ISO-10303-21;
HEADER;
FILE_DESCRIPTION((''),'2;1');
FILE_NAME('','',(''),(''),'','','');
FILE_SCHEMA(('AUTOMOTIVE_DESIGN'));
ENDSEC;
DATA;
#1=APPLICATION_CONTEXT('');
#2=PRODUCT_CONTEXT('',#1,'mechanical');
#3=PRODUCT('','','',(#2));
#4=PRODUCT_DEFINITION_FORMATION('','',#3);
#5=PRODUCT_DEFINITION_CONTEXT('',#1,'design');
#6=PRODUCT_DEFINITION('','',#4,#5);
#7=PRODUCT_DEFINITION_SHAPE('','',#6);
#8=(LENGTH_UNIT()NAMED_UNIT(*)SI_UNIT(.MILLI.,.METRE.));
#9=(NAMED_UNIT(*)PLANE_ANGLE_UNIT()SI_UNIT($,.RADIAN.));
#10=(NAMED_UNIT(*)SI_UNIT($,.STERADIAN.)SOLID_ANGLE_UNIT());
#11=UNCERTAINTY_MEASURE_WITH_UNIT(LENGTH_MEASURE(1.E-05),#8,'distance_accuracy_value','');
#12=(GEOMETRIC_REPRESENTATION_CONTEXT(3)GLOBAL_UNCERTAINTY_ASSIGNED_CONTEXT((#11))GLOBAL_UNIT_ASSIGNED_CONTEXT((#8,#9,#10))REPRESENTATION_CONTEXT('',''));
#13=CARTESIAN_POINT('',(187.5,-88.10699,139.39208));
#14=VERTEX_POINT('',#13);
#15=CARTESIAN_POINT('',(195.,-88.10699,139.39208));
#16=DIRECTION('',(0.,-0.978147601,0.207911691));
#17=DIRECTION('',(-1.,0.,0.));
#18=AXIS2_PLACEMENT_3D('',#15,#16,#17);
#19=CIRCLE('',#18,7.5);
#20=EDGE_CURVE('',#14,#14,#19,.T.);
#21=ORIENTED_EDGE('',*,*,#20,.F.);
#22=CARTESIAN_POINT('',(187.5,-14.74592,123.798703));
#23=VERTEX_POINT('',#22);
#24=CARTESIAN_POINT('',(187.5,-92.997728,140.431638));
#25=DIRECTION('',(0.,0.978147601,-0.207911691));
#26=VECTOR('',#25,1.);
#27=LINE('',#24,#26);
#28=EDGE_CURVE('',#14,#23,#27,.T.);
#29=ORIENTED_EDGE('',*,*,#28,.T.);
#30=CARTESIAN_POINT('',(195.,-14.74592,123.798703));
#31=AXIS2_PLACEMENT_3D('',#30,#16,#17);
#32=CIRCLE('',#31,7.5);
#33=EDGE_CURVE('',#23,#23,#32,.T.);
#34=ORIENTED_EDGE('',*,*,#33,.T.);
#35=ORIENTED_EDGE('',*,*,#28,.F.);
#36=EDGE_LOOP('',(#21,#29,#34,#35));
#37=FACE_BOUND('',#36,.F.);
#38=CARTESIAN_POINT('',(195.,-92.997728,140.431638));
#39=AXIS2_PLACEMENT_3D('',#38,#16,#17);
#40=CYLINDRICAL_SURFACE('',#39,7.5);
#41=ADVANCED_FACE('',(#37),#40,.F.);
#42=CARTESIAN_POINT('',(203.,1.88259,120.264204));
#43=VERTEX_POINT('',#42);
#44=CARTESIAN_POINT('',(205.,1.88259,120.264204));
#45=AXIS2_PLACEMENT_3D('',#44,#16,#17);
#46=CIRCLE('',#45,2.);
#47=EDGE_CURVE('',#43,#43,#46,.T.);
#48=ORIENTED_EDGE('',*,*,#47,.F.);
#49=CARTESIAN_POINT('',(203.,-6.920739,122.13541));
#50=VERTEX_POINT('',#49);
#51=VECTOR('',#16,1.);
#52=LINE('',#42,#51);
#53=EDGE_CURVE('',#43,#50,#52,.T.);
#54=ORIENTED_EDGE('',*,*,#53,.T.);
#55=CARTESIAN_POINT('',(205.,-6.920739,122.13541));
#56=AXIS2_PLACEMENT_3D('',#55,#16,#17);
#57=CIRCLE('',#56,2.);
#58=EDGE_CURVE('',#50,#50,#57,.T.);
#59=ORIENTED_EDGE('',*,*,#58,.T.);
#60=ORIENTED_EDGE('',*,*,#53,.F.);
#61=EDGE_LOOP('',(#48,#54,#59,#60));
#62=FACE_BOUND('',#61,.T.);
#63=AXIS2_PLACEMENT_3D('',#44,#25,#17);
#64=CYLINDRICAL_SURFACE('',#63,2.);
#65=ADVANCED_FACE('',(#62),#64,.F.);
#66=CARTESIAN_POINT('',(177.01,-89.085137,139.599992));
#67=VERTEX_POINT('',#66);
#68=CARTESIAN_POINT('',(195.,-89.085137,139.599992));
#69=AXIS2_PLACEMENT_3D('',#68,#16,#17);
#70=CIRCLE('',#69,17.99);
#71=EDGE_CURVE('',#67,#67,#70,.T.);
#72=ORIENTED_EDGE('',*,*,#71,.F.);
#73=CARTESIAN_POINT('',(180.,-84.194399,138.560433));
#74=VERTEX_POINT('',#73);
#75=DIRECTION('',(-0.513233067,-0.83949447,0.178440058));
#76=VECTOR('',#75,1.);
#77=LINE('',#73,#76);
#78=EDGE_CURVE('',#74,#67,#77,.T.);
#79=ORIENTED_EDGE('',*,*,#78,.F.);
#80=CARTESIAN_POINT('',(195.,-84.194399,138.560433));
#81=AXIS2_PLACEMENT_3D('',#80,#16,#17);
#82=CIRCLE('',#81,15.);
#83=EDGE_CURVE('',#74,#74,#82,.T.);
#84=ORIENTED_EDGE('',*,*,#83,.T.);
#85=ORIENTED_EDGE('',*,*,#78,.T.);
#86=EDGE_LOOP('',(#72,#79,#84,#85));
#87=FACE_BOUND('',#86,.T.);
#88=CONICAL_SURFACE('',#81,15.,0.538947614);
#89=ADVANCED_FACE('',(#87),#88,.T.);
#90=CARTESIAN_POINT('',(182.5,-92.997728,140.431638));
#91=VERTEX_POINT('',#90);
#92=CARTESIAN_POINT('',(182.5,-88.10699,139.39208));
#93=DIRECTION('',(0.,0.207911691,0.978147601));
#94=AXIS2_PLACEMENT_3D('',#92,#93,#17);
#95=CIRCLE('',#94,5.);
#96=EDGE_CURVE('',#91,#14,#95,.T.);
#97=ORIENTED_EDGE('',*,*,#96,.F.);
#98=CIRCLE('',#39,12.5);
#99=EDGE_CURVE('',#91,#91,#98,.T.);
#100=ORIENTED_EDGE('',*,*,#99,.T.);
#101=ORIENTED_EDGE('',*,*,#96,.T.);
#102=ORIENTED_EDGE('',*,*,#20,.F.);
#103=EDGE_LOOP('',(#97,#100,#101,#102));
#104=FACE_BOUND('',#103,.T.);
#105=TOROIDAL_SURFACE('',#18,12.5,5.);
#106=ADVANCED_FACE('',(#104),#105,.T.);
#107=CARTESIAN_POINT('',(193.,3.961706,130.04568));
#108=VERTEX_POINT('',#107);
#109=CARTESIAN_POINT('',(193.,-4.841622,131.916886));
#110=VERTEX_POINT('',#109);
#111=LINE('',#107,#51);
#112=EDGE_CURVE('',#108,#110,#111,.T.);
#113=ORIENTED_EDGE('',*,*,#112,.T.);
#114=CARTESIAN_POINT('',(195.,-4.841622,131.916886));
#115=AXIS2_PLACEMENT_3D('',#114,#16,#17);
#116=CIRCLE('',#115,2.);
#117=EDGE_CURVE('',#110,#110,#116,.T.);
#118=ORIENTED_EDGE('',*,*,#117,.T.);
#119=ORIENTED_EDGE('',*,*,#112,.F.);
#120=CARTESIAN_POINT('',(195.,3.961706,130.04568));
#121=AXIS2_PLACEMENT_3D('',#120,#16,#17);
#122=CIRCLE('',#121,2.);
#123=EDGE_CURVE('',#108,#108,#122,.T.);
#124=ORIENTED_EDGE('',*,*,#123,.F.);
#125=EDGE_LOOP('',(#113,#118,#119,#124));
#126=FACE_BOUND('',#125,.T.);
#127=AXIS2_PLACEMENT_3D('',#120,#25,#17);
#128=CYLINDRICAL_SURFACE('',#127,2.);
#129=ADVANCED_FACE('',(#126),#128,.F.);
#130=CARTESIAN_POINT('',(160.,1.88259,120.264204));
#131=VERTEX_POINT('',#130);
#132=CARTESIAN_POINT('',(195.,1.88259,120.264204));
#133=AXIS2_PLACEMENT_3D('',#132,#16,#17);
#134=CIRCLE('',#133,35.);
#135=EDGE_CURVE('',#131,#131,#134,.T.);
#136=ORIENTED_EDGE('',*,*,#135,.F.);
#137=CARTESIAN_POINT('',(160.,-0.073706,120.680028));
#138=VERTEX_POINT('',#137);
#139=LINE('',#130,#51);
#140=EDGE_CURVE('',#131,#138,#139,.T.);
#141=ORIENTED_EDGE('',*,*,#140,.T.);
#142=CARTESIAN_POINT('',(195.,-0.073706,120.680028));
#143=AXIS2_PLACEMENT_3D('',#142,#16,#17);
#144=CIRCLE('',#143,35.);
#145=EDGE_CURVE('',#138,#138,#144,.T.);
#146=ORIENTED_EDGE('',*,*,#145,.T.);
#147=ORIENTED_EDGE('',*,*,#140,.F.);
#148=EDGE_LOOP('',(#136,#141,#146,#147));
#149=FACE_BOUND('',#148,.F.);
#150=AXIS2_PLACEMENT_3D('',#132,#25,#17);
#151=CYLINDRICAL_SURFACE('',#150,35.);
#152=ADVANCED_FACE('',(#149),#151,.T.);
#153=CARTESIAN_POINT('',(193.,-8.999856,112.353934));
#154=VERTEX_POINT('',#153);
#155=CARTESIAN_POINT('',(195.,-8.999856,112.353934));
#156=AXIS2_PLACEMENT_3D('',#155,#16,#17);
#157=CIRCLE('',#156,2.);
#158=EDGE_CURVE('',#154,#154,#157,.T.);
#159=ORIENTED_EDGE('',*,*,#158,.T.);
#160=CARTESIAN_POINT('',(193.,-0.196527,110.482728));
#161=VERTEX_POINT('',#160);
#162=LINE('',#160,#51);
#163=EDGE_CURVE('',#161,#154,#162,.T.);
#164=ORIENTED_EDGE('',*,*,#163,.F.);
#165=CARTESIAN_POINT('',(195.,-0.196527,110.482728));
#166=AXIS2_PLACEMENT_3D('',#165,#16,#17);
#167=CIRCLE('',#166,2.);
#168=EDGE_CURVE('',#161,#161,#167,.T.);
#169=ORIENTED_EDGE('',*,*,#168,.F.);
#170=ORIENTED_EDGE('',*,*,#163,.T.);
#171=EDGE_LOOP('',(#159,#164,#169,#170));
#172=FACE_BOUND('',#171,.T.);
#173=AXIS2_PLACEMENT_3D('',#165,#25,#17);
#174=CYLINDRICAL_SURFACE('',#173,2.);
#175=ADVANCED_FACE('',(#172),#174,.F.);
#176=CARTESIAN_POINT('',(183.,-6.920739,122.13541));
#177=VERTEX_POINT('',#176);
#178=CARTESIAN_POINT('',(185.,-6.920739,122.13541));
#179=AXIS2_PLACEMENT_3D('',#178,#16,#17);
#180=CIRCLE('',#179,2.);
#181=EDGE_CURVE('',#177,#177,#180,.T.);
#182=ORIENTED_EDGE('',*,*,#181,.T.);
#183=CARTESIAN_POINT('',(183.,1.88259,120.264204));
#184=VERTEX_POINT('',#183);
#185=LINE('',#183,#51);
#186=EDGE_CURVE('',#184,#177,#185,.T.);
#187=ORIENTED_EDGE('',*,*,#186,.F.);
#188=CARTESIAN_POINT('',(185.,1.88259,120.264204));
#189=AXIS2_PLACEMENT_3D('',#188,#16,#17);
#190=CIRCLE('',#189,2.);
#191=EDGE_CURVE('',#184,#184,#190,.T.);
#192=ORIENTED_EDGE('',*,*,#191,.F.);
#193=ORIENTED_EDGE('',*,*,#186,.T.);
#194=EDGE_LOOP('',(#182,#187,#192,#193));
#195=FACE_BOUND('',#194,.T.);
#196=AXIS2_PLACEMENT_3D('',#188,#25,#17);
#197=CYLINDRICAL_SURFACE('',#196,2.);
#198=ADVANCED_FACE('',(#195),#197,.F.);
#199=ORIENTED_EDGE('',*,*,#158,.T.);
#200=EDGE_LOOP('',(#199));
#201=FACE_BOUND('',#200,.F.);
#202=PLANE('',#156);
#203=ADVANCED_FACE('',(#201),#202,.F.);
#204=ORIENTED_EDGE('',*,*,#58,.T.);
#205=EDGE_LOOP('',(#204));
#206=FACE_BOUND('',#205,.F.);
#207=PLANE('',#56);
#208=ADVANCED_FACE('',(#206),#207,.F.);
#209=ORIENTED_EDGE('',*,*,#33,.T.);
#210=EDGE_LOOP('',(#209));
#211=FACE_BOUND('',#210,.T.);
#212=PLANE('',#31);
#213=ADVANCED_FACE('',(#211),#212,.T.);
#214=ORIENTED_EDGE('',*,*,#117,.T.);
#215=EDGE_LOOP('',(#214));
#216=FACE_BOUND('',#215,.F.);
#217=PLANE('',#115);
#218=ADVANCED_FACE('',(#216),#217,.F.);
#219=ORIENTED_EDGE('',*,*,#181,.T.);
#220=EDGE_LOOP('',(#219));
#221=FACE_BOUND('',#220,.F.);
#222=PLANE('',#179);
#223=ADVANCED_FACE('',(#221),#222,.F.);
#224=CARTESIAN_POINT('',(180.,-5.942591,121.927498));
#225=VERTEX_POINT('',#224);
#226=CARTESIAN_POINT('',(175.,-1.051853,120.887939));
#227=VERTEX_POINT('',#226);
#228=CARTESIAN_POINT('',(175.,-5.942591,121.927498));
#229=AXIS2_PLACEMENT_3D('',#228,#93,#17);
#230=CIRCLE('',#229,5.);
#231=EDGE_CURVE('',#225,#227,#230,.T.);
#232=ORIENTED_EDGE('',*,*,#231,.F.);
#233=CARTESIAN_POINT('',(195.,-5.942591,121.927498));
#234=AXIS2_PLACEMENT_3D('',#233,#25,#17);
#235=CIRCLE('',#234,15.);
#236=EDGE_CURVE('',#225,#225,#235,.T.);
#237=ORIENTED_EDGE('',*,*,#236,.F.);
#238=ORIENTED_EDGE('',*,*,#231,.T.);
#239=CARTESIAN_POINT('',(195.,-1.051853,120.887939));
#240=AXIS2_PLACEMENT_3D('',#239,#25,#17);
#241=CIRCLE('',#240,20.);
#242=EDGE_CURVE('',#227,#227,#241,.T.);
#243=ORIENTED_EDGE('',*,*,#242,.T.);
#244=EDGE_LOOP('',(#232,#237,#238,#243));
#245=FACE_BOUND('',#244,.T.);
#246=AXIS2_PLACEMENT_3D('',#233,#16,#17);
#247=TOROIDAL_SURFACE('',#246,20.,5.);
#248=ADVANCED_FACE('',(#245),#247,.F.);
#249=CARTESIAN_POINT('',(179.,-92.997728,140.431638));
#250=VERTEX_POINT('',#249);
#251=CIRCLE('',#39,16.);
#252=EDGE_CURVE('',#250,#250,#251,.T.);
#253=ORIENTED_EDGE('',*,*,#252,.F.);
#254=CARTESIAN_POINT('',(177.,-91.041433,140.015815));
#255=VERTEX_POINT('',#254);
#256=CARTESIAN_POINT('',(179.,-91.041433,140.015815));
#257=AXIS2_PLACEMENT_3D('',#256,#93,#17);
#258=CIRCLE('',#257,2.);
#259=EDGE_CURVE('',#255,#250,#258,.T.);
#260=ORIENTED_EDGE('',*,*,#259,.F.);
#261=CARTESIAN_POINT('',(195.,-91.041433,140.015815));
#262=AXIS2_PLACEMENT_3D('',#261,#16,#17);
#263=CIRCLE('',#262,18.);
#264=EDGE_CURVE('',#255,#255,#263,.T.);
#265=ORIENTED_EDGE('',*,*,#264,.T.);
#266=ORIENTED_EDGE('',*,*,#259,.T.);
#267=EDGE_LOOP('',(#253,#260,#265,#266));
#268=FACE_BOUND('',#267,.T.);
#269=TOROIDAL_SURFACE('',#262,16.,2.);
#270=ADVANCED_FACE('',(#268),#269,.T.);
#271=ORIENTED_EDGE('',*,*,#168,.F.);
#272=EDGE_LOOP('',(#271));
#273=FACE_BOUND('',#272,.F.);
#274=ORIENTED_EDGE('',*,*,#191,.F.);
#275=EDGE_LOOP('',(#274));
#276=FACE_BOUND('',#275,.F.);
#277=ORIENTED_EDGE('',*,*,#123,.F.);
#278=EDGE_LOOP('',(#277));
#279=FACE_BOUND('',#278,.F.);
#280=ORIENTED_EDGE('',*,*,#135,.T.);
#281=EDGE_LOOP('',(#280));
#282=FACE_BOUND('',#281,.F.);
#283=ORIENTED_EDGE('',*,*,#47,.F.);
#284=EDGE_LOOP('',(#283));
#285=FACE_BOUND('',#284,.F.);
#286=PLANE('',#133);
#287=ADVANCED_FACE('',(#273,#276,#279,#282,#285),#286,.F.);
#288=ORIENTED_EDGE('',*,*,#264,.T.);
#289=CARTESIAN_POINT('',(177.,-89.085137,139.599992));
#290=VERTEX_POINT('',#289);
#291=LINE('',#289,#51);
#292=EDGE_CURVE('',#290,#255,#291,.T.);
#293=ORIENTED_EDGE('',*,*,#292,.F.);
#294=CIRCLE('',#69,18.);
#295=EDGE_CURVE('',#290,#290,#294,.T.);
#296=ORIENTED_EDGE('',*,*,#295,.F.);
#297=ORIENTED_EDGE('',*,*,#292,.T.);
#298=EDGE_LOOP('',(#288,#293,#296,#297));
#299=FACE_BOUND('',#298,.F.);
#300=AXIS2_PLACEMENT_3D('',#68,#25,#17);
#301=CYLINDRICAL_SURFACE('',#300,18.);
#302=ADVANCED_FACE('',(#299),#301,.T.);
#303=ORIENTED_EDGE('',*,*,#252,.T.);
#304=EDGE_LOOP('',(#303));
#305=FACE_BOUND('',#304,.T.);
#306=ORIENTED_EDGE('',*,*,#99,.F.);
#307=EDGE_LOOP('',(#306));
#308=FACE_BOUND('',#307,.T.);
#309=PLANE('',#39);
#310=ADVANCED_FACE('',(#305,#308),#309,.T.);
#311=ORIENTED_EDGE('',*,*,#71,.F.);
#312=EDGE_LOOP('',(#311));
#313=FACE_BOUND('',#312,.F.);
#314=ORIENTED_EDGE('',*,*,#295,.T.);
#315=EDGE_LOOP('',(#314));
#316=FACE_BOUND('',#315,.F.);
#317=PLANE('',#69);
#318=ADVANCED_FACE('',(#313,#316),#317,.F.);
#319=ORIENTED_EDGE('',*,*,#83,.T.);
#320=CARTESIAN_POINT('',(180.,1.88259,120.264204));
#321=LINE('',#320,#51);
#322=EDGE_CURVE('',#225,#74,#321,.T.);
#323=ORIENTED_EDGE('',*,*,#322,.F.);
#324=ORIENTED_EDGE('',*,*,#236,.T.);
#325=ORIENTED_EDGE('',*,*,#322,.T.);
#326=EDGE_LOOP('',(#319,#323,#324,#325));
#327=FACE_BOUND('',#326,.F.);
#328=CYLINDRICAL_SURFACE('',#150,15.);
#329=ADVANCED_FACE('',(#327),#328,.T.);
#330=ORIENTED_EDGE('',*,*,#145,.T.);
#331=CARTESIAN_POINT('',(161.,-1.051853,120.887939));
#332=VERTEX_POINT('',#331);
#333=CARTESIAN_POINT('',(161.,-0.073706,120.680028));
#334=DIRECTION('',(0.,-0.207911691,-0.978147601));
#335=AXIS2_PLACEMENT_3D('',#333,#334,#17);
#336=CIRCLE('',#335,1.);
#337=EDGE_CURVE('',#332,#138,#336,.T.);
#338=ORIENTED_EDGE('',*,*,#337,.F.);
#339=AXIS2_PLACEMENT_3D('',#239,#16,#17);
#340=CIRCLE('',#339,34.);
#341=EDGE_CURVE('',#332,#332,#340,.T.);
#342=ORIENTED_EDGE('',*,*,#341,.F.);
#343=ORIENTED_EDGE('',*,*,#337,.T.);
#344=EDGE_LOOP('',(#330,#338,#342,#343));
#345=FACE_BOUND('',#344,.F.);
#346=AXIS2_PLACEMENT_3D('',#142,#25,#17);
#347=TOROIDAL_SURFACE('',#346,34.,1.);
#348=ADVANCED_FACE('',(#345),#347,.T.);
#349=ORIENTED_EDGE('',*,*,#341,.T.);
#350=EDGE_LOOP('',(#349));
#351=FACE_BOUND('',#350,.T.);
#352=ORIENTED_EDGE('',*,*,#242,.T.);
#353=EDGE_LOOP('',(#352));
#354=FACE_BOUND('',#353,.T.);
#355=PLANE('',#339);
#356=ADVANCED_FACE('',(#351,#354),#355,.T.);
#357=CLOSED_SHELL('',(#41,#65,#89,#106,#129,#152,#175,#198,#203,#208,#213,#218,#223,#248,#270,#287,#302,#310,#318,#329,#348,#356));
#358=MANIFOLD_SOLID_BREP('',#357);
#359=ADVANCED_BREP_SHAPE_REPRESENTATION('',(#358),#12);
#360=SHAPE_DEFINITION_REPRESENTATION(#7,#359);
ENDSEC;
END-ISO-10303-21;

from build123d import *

# Parameters (mm, degrees)
SKETCH029_R      = 35
PAD012_DEPTH     = 3
SKETCH030_R      = 15
PAD013_DEPTH     = 93
SKETCH031_R      = 18
PAD014_DEPTH     = 4
SKETCH032_R      = 7.5
POCKET010_DEPTH  = 80
SKETCH033_R      = 2
POCKET011_DEPTH  = 9
FILLET013_R      = 5
FILLET014_R      = 1
CHAMFER004_SIZE2 = 2.99
CHAMFER004_SIZE  = 5
FILLET015_R      = 2


with BuildPart() as part:
    # Sketch029 (on DatumPlane) → Pad012 (new body)
    with BuildSketch(Plane(origin=(0, 5.625, 137.8708612235), x_dir=(-1, 0, 0), z_dir=(0, -0.9781476007, 0.2079116908))):
        with Locations((-195, 18)):
            Circle(SKETCH029_R)
    extrude(amount=PAD012_DEPTH)

    # Sketch030 (on DatumPlane) → Pad013 (join)
    with BuildSketch(Plane(origin=(0, 5.625, 137.8708612235), x_dir=(-1, 0, 0), z_dir=(0, -0.9781476007, 0.2079116908))):
        with Locations((-195, 18)):
            Circle(SKETCH030_R)
    extrude(amount=PAD013_DEPTH)

    # Sketch031 (on Face6 of Pad013) → Pad014 (join)
    with BuildSketch(Plane(origin=(0, -85.3427268682, 157.2066484695), x_dir=(-1, 0, 0), z_dir=(0, -0.9781476007, 0.2079116908))):
        with Locations((-195, 18)):
            Circle(SKETCH031_R)
    extrude(amount=PAD014_DEPTH)

    # Sketch032 (on Face3 of Pad014) → Pocket010 (cut)
    with BuildSketch(Plane(origin=(0, -89.2553172712, 158.0382952328), x_dir=(-1, 0, 0), z_dir=(0, -0.9781476007, 0.2079116908))):
        with Locations((-195, 18)):
            Circle(SKETCH032_R)
    extrude(amount=-POCKET010_DEPTH, mode=Mode.SUBTRACT)

    # Sketch033 (on ReferenceDatumPlane) → Pocket011 (cut)
    with BuildSketch(Plane(origin=(0, 5.625, 137.8708612235), x_dir=(-1, 0, 0), z_dir=(0, -0.9781476007, 0.2079116908))):
        with Locations((-195, 28)):
            Circle(SKETCH033_R)
        with Locations((-185, 18)):
            Circle(SKETCH033_R)
        with Locations((-195, 8)):
            Circle(SKETCH033_R)
        with Locations((-205, 18)):
            Circle(SKETCH033_R)
    extrude(amount=POCKET011_DEPTH, mode=Mode.SUBTRACT)

    # Fillet013
    fillet013_edges = [part.edges().sort_by_distance(p)[0] for p in [
        (210, -1.051853, 120.887939),
        (202.5, -92.997728, 140.431638),
    ]]
    fillet(fillet013_edges, radius=FILLET013_R)

    # Fillet014
    fillet014_edges = [part.edges().sort_by_distance(p)[0] for p in [
        (230, -1.051853, 120.887939),
    ]]
    fillet(fillet014_edges, radius=FILLET014_R)

    # Chamfer004
    chamfer004_edges = [part.edges().sort_by_distance(p)[0] for p in [
        (210, -89.085137, 139.599992),
    ]]
    chamfer004_side = part.faces().sort_by_distance((210, -47.513864, 130.763745))[0]
    chamfer(chamfer004_edges, length=CHAMFER004_SIZE, length2=CHAMFER004_SIZE2, reference=chamfer004_side)

    # Fillet015
    fillet015_edges = [part.edges().sort_by_distance(p)[0] for p in [
        (213, -92.997728, 140.431638),
    ]]
    fillet(fillet015_edges, radius=FILLET015_R)


solid = part.part
